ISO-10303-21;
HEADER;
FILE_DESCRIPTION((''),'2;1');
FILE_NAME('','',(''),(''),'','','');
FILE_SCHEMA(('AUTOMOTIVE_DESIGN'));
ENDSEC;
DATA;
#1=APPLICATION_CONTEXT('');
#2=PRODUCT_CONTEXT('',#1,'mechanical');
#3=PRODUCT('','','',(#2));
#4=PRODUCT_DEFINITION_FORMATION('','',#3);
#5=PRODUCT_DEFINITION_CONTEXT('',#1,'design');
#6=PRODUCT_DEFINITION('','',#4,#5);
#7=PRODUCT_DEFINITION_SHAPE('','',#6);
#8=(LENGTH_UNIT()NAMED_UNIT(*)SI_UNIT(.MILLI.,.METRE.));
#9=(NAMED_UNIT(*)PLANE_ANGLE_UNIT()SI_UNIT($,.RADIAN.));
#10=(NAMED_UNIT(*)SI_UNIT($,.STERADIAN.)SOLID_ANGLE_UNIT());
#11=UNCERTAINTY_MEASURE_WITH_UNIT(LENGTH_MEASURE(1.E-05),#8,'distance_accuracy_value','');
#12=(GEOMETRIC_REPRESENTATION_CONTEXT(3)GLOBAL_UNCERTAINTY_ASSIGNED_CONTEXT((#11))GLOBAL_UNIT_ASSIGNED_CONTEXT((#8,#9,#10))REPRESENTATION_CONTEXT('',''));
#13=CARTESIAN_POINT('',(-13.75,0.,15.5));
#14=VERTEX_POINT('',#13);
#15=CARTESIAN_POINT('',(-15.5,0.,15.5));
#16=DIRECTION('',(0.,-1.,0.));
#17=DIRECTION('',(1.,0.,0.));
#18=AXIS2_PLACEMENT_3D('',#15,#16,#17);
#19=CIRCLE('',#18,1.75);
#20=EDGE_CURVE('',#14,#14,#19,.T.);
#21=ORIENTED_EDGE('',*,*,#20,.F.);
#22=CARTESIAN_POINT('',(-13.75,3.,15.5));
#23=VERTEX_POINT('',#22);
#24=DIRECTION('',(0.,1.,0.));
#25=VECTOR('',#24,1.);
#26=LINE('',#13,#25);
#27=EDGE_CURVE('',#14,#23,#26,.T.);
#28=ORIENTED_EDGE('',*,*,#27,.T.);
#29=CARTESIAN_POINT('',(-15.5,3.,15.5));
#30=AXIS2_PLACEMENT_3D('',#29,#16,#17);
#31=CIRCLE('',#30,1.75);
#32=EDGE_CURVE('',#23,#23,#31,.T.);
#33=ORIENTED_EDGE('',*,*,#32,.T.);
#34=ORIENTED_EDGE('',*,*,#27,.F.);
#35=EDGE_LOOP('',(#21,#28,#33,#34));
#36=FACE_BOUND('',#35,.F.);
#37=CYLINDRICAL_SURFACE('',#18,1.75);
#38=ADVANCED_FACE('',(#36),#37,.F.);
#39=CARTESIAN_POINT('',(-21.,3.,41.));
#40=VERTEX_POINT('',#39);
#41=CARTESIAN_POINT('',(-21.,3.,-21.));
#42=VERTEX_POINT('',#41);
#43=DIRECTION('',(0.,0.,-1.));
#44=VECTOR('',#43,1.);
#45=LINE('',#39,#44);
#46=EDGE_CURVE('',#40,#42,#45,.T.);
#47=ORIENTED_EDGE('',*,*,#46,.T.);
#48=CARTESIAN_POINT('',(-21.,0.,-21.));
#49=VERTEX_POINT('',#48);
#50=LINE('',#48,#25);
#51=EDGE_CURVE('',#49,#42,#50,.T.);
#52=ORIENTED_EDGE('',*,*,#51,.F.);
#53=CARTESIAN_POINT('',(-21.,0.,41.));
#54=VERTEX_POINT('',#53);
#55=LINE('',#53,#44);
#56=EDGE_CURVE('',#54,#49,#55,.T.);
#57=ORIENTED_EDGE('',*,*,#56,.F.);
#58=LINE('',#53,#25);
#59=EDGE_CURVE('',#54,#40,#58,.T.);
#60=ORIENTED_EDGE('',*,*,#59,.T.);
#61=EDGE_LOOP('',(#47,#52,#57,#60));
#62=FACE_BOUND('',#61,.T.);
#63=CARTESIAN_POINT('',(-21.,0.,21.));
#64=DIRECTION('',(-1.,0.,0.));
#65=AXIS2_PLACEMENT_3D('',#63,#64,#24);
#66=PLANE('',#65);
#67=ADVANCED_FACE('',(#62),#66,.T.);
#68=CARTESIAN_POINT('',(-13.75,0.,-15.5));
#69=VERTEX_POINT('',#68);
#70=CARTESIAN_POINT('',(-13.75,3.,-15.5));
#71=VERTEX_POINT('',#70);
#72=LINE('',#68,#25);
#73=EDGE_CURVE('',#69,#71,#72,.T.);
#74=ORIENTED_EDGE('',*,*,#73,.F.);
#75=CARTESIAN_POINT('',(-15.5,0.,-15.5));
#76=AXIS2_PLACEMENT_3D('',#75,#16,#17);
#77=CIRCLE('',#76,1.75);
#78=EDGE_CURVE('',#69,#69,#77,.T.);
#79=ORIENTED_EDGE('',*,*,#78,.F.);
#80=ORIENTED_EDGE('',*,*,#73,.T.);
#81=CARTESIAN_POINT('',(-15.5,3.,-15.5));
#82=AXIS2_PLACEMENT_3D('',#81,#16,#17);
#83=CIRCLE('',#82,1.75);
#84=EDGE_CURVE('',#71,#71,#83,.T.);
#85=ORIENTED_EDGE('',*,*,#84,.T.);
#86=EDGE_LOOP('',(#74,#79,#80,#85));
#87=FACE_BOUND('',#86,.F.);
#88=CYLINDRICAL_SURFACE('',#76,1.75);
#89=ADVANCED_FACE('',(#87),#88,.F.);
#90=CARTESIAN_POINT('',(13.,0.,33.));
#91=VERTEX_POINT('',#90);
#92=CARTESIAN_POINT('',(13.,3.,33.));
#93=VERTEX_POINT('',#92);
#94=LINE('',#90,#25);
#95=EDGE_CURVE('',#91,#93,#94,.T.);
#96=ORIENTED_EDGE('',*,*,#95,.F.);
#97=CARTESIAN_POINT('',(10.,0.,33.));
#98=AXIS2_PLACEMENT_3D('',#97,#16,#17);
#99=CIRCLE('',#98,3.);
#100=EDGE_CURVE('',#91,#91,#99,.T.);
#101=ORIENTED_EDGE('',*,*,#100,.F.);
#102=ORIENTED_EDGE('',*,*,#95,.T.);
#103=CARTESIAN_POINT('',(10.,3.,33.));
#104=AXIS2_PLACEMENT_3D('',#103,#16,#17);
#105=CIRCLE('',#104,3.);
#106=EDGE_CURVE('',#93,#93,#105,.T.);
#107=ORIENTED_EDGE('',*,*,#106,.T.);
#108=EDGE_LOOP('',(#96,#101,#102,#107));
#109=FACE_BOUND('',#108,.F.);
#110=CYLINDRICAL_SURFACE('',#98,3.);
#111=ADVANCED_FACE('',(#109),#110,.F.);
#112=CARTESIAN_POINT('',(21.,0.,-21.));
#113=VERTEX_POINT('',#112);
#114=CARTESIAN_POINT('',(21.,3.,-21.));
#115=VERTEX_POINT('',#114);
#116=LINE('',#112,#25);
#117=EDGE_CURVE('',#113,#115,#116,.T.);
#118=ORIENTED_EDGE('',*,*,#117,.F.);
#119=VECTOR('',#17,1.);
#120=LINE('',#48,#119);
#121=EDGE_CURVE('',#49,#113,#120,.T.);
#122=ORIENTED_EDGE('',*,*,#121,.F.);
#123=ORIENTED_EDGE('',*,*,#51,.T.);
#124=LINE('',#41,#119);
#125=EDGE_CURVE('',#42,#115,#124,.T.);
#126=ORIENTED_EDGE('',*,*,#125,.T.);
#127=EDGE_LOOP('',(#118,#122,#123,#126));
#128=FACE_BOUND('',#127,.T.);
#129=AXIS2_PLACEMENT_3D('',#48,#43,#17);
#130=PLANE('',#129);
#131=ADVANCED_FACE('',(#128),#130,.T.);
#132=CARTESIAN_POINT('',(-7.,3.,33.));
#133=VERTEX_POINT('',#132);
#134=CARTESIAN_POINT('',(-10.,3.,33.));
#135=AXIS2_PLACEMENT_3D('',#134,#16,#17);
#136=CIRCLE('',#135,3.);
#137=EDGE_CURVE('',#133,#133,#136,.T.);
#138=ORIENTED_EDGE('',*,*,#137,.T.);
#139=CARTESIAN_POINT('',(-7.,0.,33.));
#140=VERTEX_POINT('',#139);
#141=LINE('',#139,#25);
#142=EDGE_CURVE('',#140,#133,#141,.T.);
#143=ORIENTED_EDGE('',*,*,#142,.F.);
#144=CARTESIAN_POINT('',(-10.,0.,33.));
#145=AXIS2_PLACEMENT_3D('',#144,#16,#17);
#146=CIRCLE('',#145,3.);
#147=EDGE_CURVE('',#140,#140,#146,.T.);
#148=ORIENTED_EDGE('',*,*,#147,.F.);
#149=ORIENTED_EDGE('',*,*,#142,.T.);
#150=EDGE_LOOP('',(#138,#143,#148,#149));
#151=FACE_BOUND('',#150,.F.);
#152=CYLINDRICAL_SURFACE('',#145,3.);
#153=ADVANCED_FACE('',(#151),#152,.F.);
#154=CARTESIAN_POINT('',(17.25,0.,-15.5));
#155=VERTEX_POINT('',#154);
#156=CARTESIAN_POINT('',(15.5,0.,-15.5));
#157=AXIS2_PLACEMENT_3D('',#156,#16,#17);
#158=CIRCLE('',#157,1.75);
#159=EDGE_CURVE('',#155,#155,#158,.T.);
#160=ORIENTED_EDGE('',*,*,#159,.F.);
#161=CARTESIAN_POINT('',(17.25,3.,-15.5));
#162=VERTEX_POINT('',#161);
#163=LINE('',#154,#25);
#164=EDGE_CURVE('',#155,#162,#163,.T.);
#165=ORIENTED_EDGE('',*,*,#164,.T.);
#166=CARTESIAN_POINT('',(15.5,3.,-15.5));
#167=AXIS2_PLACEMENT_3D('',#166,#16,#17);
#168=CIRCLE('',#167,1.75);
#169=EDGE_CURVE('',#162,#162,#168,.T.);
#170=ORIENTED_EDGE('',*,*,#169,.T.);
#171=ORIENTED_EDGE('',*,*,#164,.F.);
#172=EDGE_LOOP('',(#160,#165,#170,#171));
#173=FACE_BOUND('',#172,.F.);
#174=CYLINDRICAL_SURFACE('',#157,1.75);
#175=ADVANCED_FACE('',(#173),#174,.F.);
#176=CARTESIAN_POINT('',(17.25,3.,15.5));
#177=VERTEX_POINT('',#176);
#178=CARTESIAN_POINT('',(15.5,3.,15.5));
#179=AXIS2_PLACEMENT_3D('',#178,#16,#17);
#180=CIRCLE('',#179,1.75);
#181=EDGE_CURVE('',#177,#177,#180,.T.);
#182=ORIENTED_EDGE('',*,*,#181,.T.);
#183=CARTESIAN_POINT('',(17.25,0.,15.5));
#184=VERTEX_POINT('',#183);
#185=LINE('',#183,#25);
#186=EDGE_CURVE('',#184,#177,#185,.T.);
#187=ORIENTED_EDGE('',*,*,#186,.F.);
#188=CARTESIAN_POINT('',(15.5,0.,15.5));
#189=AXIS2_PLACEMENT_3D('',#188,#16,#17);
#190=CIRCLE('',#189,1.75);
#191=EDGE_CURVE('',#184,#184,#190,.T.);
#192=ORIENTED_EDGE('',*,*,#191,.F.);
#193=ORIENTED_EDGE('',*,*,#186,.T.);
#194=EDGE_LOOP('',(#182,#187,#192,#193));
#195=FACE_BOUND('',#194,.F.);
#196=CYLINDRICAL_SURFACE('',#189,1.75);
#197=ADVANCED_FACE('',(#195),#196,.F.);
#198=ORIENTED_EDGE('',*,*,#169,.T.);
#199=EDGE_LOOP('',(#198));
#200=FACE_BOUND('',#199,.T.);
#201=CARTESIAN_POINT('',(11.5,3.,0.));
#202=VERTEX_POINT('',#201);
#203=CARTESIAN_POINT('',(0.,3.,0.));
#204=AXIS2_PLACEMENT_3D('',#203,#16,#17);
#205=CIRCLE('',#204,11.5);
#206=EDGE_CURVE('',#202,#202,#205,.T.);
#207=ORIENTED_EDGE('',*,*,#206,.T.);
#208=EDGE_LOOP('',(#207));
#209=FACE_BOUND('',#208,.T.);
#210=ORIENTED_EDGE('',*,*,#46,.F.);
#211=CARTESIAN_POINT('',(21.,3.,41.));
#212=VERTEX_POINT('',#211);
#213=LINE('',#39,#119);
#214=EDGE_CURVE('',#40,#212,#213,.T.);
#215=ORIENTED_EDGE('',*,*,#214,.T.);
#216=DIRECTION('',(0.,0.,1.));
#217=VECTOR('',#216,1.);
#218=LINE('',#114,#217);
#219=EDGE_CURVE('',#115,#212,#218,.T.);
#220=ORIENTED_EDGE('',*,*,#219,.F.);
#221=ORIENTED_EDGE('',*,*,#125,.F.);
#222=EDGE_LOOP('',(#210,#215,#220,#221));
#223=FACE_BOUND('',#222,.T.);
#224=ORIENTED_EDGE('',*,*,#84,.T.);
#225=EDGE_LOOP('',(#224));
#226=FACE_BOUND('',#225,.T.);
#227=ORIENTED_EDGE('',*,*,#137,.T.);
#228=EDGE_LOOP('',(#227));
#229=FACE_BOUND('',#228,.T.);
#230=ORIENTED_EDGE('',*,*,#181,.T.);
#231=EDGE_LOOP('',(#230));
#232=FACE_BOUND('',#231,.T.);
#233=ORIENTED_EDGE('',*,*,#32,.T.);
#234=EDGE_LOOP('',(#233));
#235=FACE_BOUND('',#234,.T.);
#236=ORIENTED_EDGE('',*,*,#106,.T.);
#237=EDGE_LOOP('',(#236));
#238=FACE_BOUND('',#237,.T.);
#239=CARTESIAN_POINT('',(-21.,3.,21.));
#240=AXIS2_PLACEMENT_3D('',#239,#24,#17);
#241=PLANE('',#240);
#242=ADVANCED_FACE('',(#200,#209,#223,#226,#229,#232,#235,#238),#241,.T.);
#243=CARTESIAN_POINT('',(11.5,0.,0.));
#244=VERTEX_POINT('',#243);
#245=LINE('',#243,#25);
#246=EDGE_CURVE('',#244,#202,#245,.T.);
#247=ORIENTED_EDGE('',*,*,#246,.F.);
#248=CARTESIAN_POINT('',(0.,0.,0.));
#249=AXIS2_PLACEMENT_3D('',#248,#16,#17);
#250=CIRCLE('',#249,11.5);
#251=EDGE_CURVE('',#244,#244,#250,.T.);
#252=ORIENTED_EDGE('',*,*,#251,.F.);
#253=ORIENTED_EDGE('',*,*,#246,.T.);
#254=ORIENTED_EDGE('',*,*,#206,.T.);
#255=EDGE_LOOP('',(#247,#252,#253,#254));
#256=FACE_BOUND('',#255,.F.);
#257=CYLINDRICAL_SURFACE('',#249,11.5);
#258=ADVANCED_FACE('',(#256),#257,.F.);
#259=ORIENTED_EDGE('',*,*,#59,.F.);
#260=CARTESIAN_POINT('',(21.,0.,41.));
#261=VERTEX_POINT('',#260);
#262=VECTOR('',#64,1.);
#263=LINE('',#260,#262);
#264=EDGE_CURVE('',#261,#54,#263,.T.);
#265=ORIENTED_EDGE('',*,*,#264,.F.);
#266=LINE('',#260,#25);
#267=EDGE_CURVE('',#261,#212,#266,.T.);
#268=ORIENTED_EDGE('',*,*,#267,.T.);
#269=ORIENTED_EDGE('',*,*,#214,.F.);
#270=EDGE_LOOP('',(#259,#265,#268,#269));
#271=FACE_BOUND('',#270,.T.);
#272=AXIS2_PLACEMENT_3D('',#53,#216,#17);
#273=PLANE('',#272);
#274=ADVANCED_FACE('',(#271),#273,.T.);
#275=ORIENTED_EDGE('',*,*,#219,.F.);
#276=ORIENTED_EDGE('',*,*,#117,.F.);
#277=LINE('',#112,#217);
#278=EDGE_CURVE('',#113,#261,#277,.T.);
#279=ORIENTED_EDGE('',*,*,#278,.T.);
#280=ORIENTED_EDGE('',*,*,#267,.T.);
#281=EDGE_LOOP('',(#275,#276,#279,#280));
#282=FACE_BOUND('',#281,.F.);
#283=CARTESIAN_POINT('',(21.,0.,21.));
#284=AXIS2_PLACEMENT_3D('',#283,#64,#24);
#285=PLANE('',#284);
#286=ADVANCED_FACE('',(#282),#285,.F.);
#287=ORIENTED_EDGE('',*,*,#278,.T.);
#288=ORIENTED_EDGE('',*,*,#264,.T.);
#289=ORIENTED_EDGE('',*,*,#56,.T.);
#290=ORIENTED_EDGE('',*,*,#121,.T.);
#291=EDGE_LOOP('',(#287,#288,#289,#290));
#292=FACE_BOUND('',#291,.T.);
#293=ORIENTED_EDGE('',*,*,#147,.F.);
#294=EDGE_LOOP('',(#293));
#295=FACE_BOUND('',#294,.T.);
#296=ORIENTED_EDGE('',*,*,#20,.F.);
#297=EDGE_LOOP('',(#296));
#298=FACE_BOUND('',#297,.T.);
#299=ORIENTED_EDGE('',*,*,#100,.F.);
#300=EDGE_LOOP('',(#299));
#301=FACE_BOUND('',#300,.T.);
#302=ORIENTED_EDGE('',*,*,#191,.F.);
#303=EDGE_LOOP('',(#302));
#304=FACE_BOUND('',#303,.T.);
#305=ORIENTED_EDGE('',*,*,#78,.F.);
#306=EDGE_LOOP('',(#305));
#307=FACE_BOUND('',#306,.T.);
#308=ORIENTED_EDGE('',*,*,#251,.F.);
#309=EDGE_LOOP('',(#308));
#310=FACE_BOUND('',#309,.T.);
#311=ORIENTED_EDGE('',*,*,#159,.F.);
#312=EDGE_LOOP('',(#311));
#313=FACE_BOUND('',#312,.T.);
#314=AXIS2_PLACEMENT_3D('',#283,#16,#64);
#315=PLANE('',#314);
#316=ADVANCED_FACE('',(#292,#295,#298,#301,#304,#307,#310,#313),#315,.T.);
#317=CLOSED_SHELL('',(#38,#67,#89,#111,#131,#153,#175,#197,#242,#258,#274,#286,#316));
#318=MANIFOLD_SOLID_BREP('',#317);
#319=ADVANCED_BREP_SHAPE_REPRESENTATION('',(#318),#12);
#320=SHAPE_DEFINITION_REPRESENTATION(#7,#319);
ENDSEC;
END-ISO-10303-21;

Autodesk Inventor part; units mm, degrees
ref_plane "YZ Plane" through (0, 0, 0) normal (1, 0, 0) x (0, 1, 0)
ref_plane "XZ Plane" through (0, 0, 0) normal (0, 1, 0) x (-1, 0, 0)
ref_plane "XY Plane" through (0, 0, 0) normal (0, 0, 1) x (1, 0, 0)
sketch "草图2" plane through (0, 0, 0) normal (0, 1, 0) x (-1, 0, 0)
  line L0 (-21, 21) -> (21, 21)
  line L1 (21, 21) -> (21, -21)
  line L2 (21, -21) -> (-21, -21)
  line L3 (-21, -21) -> (-21, 21)
  line L4 (-21, 21) -> (21, -21) construction
  line L5 (21, 21) -> (-21, -21) construction
  point P0 (0, 0)
  dimension "d3" = 42
  dimension "d4" = 42
extrude "拉伸2" add sketch "草图2" along normal blind 3
sketch "草图7" plane through (0, 0, 0) normal (0, -1, 0) x (1, 0, 0)
  circle A0 centre (0, 0) radius 11.5
  circle A1 centre (-15.5, 15.5) radius 1.75
  circle A2 centre (-15.5, -15.5) radius 1.75
  circle A3 centre (15.5, -15.5) radius 1.75
  circle A4 centre (15.5, 15.5) radius 1.75
  dimension "d17" = 23
  dimension "d18" = 3.5
  dimension "d19" = 15.5
  dimension "d20" = 15.5
  dimension "d21" = 15.5
  dimension "d22" = 15.5
extrude "拉伸6" cut sketch "草图7" against normal blind 3
sketch "草图14" plane through (-21, 0, 21) normal (0, 0, 1) x (1, 0, 0)
  line L0 (42, 0) -> (0, 0) projected
  line L1 (42, 0) -> (42, 3) projected
  line L2 (0, 3) -> (42, 3) projected
  line L3 (0, 0) -> (0, 3) projected
  point P0 (21, 0)
extrude "拉伸13" add sketch "草图14" along normal blind 20
sketch "草图15" plane through (0, 0, 0) normal (0, -1, 0) x (1, 0, 0)
  line L0 (0, 53.4) -> (0, -33.4) construction
  circle A0 centre (10, 33) radius 3
  line L1 (-21, 41) -> (21, 41) projected
  circle A1 centre (-10, 33) radius 3
  point P0 (0, 0)
  dimension "d51" = 6
  dimension "d52" = 10
  dimension "d53" = 8
extrude "拉伸15" cut sketch "草图15" against normal blind 10
properties part number "电机座3"
